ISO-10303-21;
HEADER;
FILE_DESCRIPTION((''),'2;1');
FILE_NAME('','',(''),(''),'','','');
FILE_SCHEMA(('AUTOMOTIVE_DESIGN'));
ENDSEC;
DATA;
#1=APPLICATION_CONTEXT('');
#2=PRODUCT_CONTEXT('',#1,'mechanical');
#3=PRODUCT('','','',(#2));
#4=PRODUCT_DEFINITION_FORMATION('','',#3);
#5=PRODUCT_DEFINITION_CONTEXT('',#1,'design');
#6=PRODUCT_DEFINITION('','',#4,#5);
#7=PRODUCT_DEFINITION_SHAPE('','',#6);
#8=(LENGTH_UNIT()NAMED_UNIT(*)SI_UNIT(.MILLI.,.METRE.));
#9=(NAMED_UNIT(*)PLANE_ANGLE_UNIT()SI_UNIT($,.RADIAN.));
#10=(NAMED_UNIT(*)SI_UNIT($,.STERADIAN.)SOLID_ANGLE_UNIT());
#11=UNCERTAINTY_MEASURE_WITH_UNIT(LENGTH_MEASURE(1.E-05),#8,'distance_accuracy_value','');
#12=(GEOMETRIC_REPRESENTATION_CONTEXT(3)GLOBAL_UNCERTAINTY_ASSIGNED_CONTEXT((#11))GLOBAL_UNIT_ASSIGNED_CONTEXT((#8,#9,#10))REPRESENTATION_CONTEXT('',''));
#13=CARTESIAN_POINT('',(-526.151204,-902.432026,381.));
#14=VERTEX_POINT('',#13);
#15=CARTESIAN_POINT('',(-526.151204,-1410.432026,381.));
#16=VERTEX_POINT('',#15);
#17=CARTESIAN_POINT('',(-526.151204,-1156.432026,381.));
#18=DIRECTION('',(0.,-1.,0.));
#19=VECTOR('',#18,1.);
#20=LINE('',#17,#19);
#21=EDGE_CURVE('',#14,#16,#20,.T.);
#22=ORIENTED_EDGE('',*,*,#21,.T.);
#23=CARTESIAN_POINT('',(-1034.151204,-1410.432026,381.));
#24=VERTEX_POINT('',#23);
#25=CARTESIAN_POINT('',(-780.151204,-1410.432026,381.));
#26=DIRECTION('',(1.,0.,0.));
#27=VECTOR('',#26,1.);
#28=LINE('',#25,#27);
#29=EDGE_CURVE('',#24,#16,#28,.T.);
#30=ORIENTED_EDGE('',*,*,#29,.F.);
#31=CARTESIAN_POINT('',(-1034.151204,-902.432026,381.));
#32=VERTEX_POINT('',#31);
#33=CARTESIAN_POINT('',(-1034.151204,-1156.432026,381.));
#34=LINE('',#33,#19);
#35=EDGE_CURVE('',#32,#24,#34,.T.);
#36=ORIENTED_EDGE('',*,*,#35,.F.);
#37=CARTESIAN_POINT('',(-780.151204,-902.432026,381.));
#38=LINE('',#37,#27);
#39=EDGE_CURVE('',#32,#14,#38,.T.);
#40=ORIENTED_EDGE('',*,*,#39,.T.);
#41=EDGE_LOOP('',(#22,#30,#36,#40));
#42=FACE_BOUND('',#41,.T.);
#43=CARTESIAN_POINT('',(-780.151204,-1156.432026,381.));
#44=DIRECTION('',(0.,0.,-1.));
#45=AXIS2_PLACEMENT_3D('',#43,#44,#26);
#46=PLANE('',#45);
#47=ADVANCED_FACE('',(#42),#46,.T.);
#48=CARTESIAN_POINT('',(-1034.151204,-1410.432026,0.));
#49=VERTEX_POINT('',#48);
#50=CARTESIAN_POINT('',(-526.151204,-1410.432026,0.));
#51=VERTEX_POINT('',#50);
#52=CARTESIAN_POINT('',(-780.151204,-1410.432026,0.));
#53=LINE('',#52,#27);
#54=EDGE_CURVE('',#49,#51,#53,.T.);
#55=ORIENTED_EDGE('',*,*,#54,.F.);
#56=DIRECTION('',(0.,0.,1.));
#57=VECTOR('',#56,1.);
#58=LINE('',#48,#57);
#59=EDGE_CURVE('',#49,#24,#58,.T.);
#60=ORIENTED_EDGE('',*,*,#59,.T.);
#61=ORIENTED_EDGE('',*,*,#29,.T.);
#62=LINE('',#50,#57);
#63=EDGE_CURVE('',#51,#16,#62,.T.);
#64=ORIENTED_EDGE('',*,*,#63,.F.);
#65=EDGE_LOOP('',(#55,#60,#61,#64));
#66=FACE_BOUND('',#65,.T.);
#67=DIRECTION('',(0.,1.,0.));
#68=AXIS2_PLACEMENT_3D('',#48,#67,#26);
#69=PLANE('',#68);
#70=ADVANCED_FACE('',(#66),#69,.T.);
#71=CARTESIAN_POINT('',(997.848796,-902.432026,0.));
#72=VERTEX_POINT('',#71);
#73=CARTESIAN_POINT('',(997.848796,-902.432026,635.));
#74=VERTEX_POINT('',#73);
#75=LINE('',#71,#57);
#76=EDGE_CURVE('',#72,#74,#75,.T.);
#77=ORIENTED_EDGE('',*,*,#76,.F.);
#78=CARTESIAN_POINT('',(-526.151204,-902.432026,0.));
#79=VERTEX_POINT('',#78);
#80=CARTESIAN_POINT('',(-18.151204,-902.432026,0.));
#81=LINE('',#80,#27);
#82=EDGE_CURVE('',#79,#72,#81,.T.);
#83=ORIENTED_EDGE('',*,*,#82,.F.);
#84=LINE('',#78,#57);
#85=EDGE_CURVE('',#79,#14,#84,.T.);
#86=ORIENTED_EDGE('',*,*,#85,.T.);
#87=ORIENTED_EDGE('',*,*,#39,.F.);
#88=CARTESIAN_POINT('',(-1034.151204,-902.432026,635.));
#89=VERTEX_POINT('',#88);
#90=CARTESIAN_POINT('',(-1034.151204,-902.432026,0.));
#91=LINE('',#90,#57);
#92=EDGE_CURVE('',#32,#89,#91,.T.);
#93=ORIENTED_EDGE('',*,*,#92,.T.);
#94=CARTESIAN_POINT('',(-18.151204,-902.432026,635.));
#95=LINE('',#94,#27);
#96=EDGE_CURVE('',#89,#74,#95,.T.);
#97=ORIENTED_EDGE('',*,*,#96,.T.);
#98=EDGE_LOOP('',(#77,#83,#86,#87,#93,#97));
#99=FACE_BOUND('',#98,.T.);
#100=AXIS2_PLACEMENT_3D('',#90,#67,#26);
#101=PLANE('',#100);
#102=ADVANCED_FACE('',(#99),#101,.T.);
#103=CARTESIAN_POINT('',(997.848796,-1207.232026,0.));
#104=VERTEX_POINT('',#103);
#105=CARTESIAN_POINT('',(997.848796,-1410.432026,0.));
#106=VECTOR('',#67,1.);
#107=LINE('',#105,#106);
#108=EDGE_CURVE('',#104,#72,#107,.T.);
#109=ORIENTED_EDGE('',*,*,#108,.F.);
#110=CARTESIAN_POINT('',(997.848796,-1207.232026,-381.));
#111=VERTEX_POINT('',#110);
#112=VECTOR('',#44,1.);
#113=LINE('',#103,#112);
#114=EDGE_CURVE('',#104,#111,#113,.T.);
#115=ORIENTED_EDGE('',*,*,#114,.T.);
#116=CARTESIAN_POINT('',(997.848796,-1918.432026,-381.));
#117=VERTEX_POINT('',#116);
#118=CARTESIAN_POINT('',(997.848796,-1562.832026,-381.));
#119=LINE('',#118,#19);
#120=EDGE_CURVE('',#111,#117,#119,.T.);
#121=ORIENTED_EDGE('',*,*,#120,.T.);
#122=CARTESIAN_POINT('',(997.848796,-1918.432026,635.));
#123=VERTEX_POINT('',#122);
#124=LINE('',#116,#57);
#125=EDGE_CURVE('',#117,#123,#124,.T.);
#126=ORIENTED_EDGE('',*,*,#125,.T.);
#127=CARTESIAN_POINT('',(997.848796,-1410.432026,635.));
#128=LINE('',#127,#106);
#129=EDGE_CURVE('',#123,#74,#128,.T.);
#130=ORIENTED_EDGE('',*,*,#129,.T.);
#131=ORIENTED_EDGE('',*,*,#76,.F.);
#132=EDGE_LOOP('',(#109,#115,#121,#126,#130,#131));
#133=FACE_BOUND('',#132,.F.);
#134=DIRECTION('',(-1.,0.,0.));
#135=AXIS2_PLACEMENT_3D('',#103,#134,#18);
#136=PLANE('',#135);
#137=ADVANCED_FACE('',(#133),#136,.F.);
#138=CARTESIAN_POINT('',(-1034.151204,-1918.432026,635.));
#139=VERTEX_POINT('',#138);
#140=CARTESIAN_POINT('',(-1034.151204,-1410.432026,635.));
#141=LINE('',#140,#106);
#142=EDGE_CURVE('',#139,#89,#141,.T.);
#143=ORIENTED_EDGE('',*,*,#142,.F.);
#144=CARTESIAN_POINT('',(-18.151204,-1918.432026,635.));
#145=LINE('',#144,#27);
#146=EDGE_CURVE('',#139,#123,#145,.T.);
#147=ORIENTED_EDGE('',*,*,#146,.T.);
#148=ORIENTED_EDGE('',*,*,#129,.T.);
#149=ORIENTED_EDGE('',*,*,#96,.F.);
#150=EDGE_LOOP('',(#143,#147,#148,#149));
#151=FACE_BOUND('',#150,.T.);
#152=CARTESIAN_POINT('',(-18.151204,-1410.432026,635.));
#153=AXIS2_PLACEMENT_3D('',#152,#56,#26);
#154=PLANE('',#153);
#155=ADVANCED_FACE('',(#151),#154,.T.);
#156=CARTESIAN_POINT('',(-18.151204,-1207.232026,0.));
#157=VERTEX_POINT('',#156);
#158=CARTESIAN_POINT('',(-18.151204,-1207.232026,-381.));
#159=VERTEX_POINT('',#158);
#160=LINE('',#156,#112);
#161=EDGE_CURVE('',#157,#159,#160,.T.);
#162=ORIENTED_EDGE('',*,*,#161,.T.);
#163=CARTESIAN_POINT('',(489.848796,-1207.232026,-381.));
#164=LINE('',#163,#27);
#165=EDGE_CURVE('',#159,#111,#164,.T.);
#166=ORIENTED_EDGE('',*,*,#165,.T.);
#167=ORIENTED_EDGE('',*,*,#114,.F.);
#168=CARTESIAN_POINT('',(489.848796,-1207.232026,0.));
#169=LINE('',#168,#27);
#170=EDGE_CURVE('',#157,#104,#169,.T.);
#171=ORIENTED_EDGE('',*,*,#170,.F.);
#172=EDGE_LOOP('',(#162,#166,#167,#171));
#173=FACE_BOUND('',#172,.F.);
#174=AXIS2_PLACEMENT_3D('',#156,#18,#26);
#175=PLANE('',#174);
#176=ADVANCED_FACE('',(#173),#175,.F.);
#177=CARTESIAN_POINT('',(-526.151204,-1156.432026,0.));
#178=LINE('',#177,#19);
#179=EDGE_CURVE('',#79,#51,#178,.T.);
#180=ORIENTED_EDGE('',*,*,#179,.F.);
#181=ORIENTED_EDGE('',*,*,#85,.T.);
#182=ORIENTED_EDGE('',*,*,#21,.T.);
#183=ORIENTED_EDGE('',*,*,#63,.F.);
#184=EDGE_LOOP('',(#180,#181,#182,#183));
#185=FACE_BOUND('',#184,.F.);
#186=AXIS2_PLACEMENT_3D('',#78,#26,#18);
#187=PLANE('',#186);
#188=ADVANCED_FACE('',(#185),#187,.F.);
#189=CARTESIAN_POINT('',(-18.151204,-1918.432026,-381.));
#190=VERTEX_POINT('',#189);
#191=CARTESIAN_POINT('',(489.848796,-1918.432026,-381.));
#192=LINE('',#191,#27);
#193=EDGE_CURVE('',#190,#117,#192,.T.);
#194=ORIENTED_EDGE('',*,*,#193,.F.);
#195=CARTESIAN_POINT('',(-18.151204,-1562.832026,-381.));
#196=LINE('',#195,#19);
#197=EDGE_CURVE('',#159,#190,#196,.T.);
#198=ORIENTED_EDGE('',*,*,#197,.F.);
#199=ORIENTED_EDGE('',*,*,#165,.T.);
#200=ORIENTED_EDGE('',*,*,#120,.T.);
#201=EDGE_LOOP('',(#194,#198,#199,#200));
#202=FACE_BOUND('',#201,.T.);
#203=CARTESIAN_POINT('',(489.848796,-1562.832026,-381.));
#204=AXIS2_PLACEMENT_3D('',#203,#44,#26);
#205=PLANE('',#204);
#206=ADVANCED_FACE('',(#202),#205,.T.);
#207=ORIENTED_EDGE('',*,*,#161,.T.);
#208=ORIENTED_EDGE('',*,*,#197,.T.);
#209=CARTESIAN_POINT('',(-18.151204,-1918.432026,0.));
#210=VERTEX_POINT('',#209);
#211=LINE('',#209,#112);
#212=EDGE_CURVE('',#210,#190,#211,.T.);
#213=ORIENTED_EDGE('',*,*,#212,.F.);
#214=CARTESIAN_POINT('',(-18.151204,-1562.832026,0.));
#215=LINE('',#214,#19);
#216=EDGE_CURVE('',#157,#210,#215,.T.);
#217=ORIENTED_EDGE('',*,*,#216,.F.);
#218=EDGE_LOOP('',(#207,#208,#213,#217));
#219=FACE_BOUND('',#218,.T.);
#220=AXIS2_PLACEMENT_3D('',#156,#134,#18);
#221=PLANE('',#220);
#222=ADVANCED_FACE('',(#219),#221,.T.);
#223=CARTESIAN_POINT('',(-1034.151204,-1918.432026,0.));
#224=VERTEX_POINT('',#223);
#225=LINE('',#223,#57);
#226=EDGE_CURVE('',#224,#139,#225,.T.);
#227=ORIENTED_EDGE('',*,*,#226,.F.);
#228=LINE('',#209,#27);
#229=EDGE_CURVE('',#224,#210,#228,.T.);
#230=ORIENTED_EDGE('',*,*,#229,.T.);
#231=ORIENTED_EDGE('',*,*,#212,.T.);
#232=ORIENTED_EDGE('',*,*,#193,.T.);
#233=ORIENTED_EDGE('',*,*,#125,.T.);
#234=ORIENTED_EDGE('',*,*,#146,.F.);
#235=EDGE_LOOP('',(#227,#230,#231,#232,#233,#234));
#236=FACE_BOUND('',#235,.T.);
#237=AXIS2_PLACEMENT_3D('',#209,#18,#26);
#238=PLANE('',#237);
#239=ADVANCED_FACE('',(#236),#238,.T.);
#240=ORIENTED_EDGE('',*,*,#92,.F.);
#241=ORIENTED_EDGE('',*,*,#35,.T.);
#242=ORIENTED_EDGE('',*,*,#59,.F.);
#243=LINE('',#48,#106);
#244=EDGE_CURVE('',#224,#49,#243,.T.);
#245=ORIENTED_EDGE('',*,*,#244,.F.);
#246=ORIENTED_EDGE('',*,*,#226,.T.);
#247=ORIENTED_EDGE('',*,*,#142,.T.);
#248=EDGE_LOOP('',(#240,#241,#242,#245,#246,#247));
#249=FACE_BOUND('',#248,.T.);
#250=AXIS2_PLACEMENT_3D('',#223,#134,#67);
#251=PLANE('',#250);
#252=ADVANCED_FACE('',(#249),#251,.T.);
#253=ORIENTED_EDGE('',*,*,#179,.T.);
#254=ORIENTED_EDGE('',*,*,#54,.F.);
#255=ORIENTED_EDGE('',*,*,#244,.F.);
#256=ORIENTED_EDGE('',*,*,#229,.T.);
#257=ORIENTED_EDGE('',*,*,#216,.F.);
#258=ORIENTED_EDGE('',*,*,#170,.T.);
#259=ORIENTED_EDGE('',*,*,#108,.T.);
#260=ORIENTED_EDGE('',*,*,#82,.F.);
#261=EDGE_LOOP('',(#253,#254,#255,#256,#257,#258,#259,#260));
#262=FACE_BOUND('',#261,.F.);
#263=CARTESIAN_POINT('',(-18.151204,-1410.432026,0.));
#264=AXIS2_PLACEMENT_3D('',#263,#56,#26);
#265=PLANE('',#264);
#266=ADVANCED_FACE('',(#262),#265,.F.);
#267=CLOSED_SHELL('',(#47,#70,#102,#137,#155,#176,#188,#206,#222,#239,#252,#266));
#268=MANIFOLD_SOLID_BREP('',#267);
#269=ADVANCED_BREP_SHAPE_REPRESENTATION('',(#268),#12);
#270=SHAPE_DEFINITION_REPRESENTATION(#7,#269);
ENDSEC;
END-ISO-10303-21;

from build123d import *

# Parameters (mm, degrees)
F0_W     = 2032
F0_H     = 1016
F1_DEPTH = 635
F2_W     = 1016
F2_H     = 711.2
F3_DEPTH = 381
F4_W     = 508
F4_H     = 508
F5_DEPTH = 381


with BuildPart() as f1:
    # F0 (on Top) → F1 (new body)
    with BuildSketch(Plane.XY):
        with Locations((-18.151204, -1410.432026)):
            Rectangle(F0_W, F0_H)
    extrude(amount=F1_DEPTH)

    # F2 (on face) → F3 (join)
    with BuildSketch(Plane(origin=(0, 0, 0), x_dir=(1, 0, 0), z_dir=(0, 0, -1))):
        with Locations((489.848796, 1562.832026)):
            Rectangle(F2_W, F2_H)
    extrude(amount=F3_DEPTH)

    # F4 (on face) → F5 (cut)
    with BuildSketch(Plane(origin=(0, 0, 0), x_dir=(1, 0, 0), z_dir=(0, 0, -1))):
        with Locations((-780.151204, 1156.432026)):
            Rectangle(F4_W, F4_H)
    extrude(amount=-F5_DEPTH, mode=Mode.SUBTRACT)


solid = f1.part
